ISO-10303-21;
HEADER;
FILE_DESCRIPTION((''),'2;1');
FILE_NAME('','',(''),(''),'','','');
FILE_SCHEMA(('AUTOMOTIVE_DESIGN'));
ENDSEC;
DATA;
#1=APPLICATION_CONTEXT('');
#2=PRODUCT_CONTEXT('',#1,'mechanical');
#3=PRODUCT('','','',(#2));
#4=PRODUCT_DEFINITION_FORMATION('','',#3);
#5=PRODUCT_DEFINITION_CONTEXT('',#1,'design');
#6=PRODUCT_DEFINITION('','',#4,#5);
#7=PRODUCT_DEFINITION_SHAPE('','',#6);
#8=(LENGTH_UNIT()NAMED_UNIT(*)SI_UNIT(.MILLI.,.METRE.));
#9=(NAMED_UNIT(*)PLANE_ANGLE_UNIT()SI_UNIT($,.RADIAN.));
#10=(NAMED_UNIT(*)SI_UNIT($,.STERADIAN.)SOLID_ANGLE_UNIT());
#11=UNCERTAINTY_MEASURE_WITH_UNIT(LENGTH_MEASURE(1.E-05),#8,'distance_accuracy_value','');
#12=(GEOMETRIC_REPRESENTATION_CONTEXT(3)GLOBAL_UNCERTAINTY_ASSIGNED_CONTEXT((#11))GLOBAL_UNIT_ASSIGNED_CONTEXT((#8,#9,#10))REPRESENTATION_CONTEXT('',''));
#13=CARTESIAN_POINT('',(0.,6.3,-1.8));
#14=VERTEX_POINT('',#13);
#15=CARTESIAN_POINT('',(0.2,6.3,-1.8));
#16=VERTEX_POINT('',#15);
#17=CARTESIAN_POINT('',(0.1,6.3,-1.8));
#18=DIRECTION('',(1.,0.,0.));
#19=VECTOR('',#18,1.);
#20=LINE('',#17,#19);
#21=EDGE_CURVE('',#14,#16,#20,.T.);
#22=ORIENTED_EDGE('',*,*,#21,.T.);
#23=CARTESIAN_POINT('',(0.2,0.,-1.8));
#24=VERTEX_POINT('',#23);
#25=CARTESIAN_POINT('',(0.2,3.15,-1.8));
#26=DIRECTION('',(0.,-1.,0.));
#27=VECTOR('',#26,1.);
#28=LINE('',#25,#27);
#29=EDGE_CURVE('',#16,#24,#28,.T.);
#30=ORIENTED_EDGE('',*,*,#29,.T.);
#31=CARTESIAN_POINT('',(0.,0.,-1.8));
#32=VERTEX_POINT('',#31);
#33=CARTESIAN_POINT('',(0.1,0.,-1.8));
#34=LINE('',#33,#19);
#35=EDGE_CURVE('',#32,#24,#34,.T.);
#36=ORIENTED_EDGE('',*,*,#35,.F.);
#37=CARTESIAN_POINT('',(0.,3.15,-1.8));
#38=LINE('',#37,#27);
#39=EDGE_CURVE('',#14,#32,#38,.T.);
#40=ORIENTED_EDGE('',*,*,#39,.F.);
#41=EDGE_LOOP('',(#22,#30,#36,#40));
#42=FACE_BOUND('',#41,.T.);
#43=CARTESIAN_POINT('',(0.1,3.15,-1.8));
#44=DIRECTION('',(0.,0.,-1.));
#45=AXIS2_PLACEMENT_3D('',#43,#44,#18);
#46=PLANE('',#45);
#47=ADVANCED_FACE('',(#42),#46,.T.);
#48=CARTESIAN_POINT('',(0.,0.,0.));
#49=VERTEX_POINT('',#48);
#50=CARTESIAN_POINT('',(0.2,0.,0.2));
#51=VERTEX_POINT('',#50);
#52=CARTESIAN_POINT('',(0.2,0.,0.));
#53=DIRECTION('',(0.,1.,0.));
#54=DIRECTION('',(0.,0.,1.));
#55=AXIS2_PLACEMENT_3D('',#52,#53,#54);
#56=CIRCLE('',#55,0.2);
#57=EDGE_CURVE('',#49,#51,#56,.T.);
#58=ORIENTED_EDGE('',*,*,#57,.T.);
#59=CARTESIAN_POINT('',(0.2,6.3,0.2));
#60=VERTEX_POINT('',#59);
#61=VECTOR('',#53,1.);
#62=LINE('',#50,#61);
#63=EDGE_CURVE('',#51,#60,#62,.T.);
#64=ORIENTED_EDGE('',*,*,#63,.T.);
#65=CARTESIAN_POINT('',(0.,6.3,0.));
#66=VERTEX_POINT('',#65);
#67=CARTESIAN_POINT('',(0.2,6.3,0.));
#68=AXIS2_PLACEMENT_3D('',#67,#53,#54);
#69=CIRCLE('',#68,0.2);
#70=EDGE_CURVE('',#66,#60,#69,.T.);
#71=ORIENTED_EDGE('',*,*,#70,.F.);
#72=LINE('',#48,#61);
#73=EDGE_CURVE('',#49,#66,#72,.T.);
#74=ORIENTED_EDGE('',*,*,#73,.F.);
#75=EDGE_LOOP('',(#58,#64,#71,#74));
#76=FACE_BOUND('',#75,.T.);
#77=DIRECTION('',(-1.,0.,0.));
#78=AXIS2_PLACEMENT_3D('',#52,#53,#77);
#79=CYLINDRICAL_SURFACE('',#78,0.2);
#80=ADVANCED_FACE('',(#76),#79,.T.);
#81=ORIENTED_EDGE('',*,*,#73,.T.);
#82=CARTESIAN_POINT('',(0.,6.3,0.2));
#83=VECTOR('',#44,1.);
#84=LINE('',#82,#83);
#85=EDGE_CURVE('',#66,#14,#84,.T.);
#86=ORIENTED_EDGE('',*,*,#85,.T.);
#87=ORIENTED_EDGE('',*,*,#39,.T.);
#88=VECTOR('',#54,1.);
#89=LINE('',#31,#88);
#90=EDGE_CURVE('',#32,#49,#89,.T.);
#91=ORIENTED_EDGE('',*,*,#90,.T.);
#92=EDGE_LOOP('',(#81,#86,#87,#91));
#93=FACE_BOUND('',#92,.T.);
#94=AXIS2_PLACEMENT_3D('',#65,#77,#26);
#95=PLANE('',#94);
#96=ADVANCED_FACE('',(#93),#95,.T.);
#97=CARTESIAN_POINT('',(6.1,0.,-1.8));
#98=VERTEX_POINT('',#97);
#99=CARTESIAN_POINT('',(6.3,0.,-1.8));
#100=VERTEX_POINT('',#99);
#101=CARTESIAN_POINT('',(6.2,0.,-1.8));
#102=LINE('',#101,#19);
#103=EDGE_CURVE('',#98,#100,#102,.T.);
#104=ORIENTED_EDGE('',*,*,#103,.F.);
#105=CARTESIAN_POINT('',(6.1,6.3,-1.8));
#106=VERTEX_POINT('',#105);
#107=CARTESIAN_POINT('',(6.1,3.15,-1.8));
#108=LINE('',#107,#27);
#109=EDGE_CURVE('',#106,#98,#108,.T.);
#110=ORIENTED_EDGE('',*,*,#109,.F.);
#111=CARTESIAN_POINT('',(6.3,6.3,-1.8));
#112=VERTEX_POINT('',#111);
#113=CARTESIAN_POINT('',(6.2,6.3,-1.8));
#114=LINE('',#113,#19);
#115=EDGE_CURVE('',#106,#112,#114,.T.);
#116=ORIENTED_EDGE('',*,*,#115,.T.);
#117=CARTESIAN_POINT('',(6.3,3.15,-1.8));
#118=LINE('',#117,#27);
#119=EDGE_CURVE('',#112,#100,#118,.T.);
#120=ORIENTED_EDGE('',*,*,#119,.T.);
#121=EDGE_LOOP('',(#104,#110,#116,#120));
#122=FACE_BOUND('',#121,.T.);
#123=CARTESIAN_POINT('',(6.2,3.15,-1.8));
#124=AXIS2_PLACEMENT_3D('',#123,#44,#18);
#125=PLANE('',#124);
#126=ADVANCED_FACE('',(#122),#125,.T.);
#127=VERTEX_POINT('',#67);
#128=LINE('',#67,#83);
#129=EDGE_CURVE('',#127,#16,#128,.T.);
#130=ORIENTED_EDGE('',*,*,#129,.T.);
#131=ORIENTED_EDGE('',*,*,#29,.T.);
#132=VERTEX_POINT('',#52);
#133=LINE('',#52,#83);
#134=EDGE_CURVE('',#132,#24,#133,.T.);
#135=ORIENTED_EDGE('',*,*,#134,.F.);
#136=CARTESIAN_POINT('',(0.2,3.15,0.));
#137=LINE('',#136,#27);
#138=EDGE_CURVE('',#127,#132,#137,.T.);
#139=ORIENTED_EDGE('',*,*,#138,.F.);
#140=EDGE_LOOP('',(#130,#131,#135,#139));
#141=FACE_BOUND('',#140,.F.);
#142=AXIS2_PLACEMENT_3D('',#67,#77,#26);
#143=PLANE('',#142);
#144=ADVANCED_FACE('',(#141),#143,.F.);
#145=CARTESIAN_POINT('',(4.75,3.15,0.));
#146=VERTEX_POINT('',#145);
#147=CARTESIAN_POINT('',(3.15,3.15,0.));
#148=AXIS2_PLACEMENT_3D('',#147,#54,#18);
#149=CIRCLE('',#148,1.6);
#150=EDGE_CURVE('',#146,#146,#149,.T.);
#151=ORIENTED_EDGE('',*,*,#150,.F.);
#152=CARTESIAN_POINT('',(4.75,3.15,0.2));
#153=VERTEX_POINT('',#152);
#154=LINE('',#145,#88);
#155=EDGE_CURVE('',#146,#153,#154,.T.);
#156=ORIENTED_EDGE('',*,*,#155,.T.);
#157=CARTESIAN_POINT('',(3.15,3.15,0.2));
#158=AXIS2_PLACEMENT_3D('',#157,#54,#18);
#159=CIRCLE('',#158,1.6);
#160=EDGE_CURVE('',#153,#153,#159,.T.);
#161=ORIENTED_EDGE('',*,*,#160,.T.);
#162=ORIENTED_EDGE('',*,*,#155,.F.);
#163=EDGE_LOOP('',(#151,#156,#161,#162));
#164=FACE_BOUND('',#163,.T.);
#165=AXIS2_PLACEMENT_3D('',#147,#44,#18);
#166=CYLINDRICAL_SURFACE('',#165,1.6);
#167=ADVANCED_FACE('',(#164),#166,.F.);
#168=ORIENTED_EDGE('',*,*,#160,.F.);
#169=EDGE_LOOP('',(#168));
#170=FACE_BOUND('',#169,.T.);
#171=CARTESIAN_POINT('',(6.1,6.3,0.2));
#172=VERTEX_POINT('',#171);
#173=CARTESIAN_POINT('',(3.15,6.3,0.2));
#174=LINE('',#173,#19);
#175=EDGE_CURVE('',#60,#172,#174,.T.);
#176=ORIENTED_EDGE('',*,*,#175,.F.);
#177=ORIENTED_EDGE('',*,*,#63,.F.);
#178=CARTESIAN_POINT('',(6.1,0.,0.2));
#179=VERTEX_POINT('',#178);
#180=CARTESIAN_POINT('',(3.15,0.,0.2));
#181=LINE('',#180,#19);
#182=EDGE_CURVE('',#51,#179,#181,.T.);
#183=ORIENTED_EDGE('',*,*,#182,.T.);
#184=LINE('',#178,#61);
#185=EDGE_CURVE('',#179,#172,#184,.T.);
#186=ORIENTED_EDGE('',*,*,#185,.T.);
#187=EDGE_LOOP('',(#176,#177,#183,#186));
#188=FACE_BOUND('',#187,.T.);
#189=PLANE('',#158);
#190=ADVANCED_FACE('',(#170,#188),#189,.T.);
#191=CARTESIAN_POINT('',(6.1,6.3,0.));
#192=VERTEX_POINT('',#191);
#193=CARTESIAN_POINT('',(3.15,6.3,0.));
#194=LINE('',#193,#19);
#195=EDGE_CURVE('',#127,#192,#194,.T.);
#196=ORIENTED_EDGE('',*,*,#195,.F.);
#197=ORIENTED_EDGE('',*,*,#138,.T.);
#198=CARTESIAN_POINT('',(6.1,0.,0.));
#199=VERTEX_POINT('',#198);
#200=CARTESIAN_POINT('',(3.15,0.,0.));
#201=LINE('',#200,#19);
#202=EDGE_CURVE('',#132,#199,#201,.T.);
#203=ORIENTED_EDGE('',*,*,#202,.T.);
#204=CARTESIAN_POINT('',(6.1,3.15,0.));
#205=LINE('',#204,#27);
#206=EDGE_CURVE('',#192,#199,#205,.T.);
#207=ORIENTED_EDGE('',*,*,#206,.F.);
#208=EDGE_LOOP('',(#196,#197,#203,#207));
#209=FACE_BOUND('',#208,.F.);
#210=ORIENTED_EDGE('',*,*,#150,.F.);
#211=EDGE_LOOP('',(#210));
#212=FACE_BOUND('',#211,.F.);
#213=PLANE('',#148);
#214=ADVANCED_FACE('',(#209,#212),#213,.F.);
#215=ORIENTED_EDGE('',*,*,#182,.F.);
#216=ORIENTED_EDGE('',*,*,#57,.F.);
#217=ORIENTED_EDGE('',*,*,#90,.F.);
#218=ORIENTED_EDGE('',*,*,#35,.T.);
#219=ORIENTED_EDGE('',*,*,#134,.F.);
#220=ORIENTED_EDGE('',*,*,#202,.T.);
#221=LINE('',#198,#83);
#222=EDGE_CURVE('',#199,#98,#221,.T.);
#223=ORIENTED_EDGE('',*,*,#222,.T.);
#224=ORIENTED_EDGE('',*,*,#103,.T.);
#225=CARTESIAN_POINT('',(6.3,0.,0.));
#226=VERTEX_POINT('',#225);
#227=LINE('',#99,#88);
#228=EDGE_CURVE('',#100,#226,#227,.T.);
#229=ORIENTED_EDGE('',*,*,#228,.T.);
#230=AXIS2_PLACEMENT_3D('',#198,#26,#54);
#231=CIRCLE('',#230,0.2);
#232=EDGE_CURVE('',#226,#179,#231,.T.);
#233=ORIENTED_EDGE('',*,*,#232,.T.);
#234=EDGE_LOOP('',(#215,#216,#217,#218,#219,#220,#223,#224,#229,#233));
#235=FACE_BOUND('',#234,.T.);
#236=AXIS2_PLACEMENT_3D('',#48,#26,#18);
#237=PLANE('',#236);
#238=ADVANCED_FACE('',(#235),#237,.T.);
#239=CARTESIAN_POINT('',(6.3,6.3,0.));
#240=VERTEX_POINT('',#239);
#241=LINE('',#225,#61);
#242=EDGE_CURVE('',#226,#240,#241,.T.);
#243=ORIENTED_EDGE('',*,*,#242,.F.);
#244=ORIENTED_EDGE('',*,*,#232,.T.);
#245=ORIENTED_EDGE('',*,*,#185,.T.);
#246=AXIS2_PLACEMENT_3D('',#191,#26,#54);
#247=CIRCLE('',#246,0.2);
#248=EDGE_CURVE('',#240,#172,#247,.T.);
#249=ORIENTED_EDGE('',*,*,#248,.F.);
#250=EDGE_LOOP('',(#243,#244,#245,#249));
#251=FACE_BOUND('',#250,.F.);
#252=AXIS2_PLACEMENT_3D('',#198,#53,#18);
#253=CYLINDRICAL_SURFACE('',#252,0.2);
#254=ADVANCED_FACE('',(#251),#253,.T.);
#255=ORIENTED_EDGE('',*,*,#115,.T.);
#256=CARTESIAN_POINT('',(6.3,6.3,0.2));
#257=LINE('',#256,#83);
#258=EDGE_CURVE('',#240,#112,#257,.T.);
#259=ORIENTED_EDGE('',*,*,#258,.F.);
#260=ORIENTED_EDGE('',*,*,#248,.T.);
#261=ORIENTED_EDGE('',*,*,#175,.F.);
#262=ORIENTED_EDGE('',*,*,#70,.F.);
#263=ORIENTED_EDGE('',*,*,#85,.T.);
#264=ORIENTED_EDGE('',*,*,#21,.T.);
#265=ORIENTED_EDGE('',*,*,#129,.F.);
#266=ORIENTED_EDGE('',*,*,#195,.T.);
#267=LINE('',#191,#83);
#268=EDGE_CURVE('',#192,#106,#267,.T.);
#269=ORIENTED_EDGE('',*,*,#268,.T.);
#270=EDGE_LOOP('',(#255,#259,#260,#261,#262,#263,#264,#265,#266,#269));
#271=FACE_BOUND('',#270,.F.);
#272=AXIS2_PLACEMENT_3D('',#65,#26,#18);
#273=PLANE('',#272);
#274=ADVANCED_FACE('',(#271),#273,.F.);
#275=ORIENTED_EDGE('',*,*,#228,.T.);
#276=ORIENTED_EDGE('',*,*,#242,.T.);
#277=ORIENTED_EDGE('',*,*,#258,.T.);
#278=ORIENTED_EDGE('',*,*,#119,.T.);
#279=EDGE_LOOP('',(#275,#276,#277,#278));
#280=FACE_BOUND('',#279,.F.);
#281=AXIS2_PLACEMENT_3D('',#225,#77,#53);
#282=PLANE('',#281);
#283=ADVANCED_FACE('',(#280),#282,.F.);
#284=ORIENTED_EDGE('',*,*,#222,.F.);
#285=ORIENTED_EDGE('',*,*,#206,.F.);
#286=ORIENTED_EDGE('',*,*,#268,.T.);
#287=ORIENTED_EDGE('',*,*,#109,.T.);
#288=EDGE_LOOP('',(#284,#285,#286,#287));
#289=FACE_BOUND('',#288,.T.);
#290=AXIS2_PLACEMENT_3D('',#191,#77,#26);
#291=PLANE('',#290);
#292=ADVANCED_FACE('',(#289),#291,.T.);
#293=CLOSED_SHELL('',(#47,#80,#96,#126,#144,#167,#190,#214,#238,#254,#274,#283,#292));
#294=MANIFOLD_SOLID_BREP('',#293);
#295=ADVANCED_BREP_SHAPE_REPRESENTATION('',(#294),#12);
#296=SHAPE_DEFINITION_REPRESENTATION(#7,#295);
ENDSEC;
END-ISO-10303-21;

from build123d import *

# Parameters (mm, degrees)
F0_W     = 6.3
F0_H     = 6.3
F0_R     = 1.6
F1_DEPTH = 0.2
F2_W     = 0.2
F2_H     = 6.3
F3_DEPTH = 1.8
F4_R     = 0.2


with BuildPart() as f1:
    # F0 (on Top) → F1 (new body)
    with BuildSketch(Plane.XY):
        with Locations((3.15, 3.15)):
            Rectangle(F0_W, F0_H)
        with Locations((3.15, 3.15)):
            Circle(F0_R, mode=Mode.SUBTRACT)
    extrude(amount=F1_DEPTH)

    # F2 (on face) → F3 (join)
    with BuildSketch(Plane(origin=(0, 0, 0), x_dir=(1, 0, 0), z_dir=(0, 0, -1))):
        with Locations((0.1, -3.15)):
            Rectangle(F2_W, F2_H)
        with Locations((6.2, -3.15)):
            Rectangle(F2_W, F2_H)
    extrude(amount=F3_DEPTH)

    # F4
    f4_edges = [f1.edges().sort_by_distance(p)[0] for p in [
        (0, 3.15, 0.2),
        (6.3, 3.15, 0.2),
    ]]
    fillet(f4_edges, radius=F4_R)


solid = f1.part
